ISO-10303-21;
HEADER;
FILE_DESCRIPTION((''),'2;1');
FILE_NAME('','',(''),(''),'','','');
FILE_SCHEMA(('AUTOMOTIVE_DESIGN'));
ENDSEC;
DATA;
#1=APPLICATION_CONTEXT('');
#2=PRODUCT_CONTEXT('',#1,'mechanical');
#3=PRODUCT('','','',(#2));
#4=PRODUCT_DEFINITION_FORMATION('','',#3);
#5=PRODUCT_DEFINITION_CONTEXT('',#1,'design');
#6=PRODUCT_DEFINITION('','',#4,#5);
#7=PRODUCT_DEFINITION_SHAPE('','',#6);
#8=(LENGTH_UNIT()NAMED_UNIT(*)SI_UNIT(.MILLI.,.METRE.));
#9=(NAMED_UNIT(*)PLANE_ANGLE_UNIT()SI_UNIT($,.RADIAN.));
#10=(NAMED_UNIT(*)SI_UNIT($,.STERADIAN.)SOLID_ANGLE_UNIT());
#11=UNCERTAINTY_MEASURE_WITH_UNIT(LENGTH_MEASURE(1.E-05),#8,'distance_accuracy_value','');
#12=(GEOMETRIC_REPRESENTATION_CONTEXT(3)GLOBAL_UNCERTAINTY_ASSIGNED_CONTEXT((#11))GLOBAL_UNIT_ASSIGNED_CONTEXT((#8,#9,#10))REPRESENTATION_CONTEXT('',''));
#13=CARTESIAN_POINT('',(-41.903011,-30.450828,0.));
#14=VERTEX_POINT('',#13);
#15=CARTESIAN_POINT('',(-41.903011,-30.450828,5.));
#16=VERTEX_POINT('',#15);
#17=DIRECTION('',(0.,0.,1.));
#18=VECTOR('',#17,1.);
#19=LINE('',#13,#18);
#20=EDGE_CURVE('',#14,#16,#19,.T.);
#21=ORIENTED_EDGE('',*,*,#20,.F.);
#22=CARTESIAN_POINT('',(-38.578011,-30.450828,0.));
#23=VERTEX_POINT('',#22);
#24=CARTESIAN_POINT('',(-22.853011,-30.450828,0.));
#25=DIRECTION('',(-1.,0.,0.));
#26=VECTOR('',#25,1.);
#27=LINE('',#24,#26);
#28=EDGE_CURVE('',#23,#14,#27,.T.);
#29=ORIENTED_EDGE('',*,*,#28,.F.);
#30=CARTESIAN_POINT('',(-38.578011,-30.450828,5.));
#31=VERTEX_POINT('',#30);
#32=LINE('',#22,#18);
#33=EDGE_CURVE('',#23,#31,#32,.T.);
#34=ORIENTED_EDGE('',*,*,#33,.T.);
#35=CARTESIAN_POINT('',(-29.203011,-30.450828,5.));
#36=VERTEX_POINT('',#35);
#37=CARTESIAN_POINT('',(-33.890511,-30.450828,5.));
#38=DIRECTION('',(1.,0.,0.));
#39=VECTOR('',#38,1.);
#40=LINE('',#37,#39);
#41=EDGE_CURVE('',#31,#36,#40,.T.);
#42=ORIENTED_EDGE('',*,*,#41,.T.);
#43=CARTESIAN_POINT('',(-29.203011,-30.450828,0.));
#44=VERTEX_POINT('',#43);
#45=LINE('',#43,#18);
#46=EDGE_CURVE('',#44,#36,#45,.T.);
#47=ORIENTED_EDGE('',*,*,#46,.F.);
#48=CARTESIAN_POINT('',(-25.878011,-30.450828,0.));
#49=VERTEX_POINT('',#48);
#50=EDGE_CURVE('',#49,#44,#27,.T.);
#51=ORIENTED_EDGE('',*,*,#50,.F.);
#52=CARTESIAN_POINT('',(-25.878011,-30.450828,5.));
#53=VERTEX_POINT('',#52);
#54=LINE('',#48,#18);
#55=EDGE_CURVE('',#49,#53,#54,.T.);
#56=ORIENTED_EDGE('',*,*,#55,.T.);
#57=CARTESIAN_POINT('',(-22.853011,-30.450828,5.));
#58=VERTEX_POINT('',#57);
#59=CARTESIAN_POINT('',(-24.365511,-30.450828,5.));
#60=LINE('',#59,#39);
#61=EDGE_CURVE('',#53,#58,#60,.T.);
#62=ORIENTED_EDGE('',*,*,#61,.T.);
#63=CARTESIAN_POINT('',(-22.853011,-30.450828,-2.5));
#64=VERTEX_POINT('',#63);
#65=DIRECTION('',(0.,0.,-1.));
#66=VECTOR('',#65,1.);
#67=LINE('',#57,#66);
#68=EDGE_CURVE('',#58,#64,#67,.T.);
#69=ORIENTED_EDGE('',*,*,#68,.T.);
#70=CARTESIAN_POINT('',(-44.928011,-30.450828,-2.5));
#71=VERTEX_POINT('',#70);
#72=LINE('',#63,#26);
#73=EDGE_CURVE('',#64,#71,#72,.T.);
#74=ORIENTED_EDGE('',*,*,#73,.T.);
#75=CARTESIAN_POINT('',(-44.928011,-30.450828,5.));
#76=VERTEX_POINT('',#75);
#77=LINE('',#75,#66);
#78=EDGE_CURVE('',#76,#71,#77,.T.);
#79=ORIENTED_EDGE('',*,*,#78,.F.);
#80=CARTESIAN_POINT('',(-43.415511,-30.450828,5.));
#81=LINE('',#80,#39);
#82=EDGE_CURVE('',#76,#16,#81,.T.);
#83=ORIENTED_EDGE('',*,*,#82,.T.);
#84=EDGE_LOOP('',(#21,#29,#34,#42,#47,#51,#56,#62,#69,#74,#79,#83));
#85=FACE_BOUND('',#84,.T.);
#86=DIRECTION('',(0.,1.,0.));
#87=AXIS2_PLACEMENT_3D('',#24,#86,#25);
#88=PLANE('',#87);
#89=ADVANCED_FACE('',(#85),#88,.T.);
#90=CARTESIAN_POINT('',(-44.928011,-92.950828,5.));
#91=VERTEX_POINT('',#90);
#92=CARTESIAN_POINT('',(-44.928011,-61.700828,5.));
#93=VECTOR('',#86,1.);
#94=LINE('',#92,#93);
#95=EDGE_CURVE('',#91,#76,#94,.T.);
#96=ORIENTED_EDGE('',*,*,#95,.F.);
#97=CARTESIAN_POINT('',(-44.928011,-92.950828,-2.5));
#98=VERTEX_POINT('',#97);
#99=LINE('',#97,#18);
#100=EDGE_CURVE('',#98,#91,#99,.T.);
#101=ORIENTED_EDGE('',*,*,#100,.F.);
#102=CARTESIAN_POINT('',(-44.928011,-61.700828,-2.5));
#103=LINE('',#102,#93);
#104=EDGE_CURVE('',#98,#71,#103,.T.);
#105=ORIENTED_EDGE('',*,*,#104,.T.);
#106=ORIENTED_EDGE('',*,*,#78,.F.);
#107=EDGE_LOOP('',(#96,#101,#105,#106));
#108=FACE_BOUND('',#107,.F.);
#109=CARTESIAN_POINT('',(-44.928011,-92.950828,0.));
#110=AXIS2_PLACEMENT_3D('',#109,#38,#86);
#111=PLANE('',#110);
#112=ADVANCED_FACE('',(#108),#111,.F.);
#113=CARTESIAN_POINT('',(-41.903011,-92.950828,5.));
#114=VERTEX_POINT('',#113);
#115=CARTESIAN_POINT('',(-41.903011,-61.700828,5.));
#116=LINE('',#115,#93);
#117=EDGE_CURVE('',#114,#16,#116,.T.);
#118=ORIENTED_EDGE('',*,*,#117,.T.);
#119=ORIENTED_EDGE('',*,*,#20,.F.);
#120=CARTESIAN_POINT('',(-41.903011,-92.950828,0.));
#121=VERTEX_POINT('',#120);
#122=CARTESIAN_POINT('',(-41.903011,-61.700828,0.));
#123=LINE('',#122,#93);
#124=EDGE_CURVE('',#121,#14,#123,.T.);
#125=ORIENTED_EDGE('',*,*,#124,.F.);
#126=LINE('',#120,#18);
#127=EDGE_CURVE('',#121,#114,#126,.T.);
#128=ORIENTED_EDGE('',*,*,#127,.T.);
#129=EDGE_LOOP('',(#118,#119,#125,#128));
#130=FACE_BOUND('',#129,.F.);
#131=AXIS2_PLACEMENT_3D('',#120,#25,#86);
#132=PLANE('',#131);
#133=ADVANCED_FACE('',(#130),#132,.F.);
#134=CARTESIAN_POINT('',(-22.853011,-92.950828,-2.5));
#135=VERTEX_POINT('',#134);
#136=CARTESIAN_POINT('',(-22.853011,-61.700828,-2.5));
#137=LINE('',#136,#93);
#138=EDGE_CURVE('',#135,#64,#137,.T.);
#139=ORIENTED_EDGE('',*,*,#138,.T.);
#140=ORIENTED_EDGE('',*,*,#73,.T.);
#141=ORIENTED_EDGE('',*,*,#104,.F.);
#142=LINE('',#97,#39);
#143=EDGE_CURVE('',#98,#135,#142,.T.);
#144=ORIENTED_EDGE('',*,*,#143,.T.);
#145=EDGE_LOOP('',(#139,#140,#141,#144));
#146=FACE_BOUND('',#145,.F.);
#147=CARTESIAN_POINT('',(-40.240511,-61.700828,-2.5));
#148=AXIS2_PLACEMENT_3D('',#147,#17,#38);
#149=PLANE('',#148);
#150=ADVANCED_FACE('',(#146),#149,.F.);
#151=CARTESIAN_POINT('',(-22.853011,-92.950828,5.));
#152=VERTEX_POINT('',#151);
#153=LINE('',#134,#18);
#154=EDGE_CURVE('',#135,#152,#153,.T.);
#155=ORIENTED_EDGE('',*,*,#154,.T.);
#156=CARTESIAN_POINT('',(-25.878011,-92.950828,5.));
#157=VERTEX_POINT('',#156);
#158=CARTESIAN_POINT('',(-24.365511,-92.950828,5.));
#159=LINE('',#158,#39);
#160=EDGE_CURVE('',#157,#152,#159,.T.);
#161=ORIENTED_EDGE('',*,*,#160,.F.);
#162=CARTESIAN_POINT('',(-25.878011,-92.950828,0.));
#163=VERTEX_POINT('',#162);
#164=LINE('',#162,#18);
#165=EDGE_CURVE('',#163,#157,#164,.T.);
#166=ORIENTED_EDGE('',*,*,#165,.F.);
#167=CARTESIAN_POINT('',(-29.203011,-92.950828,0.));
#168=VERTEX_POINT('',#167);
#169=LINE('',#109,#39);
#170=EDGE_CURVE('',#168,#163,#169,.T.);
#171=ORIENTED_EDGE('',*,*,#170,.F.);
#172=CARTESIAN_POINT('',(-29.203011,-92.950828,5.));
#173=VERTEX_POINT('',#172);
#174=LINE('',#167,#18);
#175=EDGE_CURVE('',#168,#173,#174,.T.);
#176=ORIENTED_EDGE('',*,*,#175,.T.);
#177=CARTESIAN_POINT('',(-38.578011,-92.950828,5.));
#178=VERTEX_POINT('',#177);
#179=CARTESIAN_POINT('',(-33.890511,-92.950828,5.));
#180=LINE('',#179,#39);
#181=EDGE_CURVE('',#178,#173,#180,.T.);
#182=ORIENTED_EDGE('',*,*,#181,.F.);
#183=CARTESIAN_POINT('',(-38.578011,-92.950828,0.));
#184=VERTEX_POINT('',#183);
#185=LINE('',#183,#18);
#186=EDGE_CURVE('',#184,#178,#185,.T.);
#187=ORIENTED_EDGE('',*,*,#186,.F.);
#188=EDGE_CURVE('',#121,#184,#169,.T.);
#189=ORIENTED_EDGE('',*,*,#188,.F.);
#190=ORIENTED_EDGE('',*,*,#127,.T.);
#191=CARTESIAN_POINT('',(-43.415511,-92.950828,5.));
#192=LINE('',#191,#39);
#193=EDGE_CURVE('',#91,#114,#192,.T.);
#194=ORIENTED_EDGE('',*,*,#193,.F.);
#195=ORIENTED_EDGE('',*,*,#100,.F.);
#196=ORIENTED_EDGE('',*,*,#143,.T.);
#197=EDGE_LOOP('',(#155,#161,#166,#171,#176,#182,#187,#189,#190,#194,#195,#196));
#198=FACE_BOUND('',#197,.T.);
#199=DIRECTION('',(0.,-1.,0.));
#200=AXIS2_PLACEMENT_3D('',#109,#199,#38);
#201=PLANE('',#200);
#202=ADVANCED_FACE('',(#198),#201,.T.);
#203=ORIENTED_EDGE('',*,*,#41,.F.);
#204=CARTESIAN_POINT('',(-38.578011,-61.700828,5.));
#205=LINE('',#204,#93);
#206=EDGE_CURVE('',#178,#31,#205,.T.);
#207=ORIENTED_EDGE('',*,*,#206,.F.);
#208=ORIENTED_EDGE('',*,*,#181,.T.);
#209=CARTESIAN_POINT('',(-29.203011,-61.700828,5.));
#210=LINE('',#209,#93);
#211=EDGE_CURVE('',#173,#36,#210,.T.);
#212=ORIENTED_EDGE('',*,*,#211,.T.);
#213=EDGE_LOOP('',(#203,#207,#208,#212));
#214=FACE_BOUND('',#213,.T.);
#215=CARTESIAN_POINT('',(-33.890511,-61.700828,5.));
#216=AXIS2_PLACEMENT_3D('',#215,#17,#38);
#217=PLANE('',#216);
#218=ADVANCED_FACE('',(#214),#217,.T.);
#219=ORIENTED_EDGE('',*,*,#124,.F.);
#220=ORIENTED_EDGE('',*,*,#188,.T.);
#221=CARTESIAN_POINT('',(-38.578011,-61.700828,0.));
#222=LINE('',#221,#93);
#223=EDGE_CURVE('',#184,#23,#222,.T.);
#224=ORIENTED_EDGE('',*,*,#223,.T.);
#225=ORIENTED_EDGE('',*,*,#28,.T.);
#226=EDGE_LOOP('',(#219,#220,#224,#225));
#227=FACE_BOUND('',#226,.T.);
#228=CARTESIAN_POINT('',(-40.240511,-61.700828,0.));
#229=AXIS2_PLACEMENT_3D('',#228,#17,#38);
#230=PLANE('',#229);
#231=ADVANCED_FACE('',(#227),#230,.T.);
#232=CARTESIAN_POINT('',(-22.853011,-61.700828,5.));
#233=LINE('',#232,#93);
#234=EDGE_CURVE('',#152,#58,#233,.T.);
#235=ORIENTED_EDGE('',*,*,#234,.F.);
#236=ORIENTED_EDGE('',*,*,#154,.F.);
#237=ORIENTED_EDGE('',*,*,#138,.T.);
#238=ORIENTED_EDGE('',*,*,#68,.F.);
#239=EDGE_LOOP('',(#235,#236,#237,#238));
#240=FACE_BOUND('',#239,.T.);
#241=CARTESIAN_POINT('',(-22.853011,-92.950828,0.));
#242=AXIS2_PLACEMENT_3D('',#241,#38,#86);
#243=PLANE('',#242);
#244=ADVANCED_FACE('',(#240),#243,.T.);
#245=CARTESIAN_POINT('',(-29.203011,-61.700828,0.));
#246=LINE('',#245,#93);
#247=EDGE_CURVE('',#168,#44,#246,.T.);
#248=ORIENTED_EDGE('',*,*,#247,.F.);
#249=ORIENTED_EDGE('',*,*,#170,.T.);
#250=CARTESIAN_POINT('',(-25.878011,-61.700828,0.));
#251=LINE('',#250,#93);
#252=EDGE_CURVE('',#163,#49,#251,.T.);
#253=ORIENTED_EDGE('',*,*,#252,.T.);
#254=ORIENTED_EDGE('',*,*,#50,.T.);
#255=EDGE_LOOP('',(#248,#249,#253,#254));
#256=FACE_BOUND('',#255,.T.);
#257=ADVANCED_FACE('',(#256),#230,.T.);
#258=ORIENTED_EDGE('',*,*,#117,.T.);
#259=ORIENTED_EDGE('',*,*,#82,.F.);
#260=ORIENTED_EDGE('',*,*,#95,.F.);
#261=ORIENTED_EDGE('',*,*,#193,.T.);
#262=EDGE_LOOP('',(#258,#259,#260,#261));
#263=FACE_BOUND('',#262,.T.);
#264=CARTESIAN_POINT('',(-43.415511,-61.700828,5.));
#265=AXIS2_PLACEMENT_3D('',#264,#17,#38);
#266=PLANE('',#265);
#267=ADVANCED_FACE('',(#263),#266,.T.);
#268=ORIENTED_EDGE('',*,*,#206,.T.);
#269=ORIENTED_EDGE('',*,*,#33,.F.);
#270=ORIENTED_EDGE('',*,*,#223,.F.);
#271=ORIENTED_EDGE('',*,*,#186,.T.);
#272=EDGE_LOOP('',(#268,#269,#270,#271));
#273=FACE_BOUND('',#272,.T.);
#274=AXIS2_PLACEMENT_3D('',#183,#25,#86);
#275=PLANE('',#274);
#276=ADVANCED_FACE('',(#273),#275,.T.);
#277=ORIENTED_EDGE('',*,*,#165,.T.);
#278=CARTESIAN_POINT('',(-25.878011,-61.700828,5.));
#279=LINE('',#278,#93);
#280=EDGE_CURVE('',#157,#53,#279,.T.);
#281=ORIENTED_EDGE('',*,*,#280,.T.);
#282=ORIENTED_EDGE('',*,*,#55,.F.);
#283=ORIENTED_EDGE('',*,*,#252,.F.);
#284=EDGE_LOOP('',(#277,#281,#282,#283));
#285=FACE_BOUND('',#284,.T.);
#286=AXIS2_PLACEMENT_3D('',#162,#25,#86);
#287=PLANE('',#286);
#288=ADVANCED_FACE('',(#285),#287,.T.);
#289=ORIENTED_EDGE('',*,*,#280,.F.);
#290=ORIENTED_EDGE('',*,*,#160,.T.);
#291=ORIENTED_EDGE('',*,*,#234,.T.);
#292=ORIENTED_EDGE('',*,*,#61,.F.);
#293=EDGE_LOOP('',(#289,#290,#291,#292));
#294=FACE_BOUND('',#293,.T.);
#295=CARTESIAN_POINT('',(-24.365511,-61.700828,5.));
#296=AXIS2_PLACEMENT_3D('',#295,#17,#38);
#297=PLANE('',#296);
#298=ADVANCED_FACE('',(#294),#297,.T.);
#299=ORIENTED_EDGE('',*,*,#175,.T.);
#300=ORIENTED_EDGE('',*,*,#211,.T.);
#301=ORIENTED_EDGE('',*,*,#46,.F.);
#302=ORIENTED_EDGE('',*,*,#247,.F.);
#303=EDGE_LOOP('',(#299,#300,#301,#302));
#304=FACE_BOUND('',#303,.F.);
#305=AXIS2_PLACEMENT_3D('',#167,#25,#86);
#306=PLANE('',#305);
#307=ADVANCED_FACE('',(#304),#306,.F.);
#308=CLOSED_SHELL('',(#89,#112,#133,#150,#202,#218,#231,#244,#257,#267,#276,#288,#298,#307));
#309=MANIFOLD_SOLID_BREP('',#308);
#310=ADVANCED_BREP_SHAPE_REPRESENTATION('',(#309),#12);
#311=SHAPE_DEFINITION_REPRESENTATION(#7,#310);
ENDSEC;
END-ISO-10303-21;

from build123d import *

# Parameters (mm, degrees)
F0_W     = 3.025
F0_H     = 62.5
F0_W_2   = 9.375
F1_DEPTH = 5
F0_W_3   = 3.325
F2_DEPTH = 2.5


with BuildPart() as f1:
    # F0 (on Top) → F1 (new body)
    with BuildSketch(Plane.XY):
        with Locations((-43.415511, -61.700828)):
            Rectangle(F0_W, F0_H)
        with Locations((-33.890511, -61.700828)):
            Rectangle(F0_W_2, F0_H)
        with Locations((-24.365511, -61.700828)):
            Rectangle(F0_W, F0_H)
    extrude(amount=F1_DEPTH)

    # F0 (on Top) → F2 (join)
    with BuildSketch(Plane.XY):
        with Locations((-40.240511, -61.700828)):
            Rectangle(F0_W_3, F0_H)
        with Locations((-43.415511, -61.700828)):
            Rectangle(F0_W, F0_H)
        with Locations((-33.890511, -61.700828)):
            Rectangle(F0_W_2, F0_H)
        with Locations((-27.540511, -61.700828)):
            Rectangle(F0_W_3, F0_H)
        with Locations((-24.365511, -61.700828)):
            Rectangle(F0_W, F0_H)
    extrude(amount=-F2_DEPTH)


solid = f1.part
